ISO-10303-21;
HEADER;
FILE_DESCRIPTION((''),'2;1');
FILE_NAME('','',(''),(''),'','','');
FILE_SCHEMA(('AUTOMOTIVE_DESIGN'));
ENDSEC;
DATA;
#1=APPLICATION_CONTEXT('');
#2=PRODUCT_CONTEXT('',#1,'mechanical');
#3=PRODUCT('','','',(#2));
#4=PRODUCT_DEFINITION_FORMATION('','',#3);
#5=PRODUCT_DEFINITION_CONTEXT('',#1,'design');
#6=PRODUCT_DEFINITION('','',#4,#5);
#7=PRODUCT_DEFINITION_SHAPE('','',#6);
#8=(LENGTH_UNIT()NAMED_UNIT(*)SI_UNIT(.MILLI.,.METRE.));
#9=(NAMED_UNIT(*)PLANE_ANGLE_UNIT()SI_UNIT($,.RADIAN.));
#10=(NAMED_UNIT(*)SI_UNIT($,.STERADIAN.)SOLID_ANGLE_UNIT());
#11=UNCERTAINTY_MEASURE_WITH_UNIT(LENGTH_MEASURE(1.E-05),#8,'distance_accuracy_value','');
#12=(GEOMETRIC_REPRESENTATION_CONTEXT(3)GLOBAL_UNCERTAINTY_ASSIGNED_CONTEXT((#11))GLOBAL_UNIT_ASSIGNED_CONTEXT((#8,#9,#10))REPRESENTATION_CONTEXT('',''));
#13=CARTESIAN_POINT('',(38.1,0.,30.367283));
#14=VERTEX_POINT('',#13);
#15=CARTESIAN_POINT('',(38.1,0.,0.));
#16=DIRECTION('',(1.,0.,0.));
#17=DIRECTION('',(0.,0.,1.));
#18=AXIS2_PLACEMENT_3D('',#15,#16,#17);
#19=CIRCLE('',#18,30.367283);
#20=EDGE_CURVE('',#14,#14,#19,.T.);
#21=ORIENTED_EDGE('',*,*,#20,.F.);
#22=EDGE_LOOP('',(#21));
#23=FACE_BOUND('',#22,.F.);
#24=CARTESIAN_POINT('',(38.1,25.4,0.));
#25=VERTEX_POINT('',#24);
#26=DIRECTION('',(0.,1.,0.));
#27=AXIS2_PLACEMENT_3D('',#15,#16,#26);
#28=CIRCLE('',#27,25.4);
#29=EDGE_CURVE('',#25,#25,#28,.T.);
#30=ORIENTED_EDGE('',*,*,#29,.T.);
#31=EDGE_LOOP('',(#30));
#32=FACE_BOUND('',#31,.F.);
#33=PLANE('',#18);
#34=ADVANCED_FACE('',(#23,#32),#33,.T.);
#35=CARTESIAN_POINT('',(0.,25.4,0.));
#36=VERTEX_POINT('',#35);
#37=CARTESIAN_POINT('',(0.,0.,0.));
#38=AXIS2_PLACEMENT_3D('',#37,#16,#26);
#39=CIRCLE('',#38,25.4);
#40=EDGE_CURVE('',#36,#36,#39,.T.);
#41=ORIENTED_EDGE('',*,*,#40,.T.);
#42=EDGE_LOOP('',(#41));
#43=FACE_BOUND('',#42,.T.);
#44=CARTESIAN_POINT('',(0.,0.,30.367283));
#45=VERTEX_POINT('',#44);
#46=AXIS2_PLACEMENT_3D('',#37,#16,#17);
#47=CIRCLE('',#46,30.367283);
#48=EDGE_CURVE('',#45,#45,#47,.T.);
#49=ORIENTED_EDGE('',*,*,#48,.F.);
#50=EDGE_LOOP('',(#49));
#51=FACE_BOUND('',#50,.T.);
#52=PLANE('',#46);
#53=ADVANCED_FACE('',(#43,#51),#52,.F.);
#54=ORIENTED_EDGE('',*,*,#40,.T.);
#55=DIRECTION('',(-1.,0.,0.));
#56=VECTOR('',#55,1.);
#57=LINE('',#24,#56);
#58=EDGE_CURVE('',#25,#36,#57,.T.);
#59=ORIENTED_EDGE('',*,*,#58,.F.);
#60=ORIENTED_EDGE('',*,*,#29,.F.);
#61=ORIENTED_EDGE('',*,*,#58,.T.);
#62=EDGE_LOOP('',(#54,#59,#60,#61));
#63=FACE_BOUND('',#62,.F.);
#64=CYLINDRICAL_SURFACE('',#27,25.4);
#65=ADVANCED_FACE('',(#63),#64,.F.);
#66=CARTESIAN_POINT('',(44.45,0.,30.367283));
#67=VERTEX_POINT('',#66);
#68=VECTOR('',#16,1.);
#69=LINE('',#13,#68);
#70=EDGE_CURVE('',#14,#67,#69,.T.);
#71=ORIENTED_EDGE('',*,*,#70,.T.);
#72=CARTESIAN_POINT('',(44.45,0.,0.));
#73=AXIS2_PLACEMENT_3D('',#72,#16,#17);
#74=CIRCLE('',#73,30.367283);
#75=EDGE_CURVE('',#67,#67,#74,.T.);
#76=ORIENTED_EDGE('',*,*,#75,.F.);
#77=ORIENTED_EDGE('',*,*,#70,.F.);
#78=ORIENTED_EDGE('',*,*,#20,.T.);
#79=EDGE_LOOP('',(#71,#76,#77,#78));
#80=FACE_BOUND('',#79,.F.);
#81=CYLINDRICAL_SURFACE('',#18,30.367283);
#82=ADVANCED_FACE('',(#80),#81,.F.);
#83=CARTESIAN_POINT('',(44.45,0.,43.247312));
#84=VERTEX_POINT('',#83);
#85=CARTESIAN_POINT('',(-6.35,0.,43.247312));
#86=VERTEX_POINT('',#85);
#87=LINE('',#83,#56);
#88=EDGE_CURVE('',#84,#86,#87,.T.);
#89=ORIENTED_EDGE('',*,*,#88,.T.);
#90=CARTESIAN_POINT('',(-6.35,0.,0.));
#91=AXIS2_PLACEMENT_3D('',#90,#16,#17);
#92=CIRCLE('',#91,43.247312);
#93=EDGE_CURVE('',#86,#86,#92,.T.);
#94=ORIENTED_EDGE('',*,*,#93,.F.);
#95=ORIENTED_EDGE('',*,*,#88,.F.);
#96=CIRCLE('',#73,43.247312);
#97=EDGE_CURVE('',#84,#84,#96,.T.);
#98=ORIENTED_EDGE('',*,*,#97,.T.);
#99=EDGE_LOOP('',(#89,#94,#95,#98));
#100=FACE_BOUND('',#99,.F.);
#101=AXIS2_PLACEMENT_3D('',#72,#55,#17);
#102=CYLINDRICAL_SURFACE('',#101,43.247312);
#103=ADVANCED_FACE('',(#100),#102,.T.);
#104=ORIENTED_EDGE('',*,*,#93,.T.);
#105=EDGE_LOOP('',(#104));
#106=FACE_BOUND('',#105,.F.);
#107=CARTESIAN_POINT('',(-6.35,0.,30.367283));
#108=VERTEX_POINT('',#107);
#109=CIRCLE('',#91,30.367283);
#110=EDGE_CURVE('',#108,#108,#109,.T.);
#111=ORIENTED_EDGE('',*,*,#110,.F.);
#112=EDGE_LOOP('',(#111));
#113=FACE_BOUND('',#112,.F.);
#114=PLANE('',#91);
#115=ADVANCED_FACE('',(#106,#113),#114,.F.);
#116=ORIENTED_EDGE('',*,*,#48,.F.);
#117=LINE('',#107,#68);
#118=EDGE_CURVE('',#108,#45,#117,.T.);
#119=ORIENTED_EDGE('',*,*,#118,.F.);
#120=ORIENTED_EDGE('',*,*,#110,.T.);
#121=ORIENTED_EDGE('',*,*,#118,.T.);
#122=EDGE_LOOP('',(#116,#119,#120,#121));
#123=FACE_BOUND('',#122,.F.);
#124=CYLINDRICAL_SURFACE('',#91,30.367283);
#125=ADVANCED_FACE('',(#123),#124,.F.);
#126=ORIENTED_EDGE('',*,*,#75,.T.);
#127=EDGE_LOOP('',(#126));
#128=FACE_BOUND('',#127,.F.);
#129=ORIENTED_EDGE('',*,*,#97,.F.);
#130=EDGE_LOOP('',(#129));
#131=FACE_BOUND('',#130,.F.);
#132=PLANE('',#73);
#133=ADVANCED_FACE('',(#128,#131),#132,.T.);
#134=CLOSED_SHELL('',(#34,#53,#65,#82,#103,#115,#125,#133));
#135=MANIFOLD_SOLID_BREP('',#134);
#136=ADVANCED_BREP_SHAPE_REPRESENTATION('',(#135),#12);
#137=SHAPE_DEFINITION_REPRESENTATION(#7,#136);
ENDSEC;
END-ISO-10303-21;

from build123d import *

# Parameters (mm, degrees)
F0_W     = 38.1
F0_H     = 30.3672830875
F0_H_2   = 6.4400146099
F2_R     = 25.4
F3_DEPTH = 44.451


with BuildPart() as f1:
    # F0 (on Front) → F1 (revolve)
    with BuildSketch(Plane.XZ):
        with Locations((19.05, 15.1836415437)):
            Rectangle(F0_W, F0_H)
        Polygon((-6.35, 30.3672830875), (0, 30.3672830875), (0, 36.8072976974), (38.1, 36.8072976974), (38.1, 30.3672830875), (44.45, 30.3672830875), (44.45, 43.2473123074), (-6.35, 43.2473123074), align=None)
        with Locations((19.05, 33.5872903924)):
            Rectangle(F0_W, F0_H_2)
    revolve(axis=Axis((19.05, 0, 0), (1, 0, 0)))

    # F2 (on face) → F3 (cut, through all)
    with BuildSketch(Plane.YZ.offset(38.1)):
        Circle(F2_R)
    extrude(amount=-F3_DEPTH, mode=Mode.SUBTRACT)


solid = f1.part
